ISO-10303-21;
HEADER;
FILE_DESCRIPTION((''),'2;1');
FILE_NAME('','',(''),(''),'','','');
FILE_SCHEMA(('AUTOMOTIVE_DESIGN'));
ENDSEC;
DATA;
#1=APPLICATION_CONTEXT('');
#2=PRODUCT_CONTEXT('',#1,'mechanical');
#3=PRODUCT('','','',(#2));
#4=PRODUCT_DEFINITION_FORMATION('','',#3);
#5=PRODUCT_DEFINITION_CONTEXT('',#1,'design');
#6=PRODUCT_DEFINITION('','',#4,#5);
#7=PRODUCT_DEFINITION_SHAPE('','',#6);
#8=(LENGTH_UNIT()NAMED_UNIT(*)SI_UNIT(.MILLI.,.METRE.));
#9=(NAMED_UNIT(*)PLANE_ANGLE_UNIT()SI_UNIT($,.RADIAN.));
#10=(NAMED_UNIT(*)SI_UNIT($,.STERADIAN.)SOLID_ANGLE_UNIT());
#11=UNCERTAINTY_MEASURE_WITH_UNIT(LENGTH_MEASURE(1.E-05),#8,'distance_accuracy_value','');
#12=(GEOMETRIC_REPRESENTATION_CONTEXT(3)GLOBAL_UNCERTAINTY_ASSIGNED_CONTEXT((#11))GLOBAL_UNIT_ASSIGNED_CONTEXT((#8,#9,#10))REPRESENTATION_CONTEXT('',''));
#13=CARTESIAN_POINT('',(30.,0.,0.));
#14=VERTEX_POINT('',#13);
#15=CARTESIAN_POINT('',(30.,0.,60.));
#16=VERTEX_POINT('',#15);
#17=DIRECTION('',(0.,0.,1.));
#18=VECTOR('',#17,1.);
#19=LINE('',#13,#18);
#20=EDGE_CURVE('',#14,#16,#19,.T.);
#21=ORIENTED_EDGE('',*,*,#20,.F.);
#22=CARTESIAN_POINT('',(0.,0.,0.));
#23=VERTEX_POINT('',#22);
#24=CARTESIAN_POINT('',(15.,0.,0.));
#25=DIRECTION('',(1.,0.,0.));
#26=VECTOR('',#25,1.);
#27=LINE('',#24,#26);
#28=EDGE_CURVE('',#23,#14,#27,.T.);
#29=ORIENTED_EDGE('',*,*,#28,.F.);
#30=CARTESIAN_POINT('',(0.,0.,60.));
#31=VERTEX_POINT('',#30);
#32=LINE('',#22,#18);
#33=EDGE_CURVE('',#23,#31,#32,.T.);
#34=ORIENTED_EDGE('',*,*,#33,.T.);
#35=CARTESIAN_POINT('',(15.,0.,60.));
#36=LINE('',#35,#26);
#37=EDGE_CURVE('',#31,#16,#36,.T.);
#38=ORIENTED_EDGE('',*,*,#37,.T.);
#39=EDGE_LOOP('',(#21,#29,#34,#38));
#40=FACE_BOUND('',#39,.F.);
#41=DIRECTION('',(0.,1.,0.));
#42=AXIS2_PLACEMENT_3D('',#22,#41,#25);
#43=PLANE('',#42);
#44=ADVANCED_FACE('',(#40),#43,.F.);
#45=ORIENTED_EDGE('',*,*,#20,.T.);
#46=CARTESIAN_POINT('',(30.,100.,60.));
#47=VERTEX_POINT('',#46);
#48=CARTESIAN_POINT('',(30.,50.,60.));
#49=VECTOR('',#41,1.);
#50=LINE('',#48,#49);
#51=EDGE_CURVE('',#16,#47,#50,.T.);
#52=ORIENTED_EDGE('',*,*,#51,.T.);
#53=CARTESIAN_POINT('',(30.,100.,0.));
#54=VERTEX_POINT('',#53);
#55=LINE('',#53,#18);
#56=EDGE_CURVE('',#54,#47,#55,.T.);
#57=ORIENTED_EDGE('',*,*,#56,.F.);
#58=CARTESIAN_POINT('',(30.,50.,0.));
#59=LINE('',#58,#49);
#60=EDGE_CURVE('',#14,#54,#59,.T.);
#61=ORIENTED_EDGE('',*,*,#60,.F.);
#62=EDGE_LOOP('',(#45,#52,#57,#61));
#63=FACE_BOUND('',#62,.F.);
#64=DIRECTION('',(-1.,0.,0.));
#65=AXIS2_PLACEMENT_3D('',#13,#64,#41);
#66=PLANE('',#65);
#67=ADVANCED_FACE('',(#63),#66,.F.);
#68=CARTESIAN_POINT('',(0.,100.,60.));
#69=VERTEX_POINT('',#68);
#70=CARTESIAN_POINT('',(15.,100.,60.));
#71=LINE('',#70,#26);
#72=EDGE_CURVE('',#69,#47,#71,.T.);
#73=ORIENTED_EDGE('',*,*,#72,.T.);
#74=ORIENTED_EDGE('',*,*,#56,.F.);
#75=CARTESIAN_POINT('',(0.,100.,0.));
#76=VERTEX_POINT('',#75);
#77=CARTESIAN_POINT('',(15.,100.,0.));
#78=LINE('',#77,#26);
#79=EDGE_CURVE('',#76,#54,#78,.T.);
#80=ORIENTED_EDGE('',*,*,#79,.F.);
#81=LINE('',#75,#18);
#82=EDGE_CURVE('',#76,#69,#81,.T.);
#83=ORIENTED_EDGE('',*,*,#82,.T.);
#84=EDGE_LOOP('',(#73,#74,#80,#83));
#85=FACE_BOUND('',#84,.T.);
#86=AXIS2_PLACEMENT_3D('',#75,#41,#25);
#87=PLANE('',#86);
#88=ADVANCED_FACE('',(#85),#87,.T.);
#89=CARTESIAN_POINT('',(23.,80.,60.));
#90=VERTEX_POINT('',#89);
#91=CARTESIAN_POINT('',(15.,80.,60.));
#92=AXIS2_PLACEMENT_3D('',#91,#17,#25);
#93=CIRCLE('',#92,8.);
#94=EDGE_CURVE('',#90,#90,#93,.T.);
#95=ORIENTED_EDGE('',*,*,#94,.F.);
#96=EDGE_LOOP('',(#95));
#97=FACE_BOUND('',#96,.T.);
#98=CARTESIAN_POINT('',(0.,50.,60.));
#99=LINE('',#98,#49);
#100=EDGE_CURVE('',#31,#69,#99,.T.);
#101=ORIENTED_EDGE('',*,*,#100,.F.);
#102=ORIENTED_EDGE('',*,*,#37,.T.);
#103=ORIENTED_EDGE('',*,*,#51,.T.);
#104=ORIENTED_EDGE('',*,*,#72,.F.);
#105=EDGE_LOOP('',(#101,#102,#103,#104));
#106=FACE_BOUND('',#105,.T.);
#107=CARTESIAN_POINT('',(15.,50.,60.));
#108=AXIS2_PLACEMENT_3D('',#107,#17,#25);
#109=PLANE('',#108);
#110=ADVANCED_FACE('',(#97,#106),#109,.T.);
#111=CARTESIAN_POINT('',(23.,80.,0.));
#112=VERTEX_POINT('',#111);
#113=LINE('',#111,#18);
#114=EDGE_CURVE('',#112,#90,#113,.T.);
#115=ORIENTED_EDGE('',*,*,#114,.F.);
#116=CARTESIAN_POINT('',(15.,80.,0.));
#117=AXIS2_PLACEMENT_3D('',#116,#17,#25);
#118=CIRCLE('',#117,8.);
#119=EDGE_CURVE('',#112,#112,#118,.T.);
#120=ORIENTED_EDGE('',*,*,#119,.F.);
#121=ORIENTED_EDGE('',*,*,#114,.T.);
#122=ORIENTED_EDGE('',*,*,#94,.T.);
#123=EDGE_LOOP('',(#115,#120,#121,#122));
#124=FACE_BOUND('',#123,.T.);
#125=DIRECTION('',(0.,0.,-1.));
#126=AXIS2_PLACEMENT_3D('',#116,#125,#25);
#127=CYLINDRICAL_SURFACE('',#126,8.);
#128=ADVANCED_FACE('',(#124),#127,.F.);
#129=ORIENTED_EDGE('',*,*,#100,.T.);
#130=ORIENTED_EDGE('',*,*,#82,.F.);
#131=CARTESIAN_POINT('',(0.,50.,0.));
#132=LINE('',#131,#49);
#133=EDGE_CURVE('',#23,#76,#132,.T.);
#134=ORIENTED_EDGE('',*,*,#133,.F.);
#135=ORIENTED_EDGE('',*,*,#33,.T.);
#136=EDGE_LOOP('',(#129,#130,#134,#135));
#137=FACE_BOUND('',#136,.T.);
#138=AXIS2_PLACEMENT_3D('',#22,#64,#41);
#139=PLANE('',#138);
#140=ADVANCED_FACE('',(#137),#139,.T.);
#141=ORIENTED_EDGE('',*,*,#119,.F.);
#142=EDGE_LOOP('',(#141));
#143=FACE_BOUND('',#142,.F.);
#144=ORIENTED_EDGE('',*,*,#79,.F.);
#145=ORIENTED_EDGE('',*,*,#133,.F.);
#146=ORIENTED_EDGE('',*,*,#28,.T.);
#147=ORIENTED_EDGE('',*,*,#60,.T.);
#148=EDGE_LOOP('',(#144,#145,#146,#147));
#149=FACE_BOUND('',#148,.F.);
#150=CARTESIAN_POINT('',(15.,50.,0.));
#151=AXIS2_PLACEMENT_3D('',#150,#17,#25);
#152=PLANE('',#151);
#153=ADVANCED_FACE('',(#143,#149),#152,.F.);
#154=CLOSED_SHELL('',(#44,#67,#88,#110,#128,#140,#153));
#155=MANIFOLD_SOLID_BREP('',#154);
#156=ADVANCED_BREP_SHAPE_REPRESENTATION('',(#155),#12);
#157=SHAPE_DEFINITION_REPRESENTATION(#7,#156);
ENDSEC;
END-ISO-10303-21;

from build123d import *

# Parameters (mm, degrees)
SKETCH_W  = 30
SKETCH_H  = 100
SKETCH_R  = 8
PAD_DEPTH = 60


with BuildPart() as part:
    # Sketch → Pad (new body)
    with BuildSketch(Plane.XY):
        with Locations((15, 50)):
            Rectangle(SKETCH_W, SKETCH_H)
        with Locations((15, 80)):
            Circle(SKETCH_R, mode=Mode.SUBTRACT)
    extrude(amount=PAD_DEPTH)


solid = part.part
